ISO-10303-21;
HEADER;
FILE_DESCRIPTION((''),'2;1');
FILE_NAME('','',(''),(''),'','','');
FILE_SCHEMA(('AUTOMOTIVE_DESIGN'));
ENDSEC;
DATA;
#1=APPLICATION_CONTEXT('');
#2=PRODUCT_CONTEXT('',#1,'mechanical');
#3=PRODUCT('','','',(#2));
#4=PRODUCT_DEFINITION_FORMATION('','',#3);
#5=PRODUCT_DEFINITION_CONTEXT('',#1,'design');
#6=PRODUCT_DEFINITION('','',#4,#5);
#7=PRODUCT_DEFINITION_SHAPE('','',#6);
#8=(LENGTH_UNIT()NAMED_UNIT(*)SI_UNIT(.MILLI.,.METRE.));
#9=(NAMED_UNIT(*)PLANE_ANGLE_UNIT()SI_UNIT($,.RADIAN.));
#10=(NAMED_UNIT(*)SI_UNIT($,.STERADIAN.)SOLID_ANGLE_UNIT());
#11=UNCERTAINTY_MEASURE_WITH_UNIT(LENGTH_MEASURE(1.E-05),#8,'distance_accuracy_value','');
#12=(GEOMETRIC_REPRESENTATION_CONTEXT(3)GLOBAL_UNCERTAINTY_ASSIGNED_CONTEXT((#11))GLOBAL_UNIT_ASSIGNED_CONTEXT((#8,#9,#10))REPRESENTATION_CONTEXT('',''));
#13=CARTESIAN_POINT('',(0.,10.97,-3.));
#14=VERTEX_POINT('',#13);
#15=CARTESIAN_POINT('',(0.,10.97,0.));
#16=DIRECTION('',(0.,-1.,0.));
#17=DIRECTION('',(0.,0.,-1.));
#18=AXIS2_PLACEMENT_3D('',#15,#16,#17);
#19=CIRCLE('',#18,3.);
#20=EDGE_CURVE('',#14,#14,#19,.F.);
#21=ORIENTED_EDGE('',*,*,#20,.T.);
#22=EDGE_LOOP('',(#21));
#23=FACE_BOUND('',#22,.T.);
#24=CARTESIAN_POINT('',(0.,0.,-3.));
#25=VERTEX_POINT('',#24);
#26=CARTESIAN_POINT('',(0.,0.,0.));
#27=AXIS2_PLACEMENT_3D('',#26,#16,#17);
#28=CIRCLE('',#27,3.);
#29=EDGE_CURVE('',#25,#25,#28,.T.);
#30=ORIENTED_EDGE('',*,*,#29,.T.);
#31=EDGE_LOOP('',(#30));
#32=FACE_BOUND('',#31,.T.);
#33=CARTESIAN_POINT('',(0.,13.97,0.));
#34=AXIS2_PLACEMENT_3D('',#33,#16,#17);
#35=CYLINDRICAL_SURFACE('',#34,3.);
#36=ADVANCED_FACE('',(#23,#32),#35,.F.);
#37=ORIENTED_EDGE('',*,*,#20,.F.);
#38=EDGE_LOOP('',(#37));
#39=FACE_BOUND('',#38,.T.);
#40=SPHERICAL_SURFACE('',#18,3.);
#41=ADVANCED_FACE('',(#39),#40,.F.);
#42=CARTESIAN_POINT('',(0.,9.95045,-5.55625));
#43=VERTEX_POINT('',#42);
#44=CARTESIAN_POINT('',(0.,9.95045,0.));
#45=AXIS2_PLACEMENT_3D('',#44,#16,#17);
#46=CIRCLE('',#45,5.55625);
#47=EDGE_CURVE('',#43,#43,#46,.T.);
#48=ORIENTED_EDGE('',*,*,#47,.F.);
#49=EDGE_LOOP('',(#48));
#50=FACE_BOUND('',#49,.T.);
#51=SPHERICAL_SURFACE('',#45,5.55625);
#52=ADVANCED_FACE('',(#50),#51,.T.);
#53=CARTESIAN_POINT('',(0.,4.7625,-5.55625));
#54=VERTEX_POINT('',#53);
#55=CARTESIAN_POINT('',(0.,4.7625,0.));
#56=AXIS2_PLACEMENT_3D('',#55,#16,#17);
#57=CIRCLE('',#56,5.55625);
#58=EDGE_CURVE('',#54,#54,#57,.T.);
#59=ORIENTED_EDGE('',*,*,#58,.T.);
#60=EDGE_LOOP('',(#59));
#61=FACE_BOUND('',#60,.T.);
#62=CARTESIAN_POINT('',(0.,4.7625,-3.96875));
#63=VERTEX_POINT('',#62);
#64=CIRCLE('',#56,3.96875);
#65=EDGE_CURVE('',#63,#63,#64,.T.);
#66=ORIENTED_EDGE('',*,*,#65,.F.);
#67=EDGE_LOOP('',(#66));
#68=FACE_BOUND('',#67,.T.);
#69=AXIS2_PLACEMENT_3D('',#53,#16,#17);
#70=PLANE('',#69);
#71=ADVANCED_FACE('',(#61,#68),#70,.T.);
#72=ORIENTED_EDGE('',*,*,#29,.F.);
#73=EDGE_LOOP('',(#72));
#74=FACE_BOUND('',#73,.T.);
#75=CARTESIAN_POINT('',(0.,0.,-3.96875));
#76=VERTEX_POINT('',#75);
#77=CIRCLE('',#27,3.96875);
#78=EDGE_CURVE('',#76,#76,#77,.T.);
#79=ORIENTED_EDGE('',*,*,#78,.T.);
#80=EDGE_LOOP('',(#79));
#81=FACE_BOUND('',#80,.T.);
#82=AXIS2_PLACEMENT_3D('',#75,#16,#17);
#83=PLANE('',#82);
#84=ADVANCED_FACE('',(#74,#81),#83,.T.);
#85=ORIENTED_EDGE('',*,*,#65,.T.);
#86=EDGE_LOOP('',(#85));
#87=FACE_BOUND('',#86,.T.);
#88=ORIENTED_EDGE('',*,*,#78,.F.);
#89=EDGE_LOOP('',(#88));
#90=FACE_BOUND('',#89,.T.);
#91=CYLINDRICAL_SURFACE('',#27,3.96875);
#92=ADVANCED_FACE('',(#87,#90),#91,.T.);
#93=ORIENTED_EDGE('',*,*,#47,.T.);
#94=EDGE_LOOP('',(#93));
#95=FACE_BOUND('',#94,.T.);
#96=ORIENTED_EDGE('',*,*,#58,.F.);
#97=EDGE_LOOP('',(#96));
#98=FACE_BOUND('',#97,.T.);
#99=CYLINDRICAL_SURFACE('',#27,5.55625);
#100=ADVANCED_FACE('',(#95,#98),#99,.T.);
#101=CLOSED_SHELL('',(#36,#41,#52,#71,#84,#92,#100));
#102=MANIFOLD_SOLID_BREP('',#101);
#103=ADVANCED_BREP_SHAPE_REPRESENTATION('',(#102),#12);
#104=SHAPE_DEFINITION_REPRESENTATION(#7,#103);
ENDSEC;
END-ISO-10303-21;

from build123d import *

# Parameters (mm, degrees)
SKETCH3_R          = 3
CUT_EXTRUDE1_DEPTH = 13.97
FILLET1_R          = 3


with BuildPart() as part:
    # Sketch2 → Revolve1 (revolve)
    with BuildSketch(Plane(origin=(0, 0, 0), x_dir=(0, 0, -1), z_dir=(1, 0, 0))):
        with BuildLine():
            Line((0, 0), (0, 15.5067))
            ThreePointArc((0, 15.5067), (3.928862053, 13.879312053), (5.55625, 9.95045))
            Line((5.55625, 9.95045), (5.55625, 4.7625))
            Line((5.55625, 4.7625), (3.96875, 4.7625))
            Line((3.96875, 4.7625), (3.96875, 0))
            Line((3.96875, 0), (0, 0))
        make_face()
    revolve(axis=Axis((0, 0, 0), (0, 1, 0)))

    # Sketch3 → Cut-Extrude1 (cut)
    with BuildSketch(Plane.XZ):
        Circle(SKETCH3_R)
    extrude(amount=-CUT_EXTRUDE1_DEPTH, mode=Mode.SUBTRACT)

    # Fillet1
    fillet1_edges = [part.edges().sort_by_distance(p)[0] for p in [
        (-3, 13.97, 0),
    ]]
    fillet(fillet1_edges, radius=FILLET1_R)


solid = part.part
